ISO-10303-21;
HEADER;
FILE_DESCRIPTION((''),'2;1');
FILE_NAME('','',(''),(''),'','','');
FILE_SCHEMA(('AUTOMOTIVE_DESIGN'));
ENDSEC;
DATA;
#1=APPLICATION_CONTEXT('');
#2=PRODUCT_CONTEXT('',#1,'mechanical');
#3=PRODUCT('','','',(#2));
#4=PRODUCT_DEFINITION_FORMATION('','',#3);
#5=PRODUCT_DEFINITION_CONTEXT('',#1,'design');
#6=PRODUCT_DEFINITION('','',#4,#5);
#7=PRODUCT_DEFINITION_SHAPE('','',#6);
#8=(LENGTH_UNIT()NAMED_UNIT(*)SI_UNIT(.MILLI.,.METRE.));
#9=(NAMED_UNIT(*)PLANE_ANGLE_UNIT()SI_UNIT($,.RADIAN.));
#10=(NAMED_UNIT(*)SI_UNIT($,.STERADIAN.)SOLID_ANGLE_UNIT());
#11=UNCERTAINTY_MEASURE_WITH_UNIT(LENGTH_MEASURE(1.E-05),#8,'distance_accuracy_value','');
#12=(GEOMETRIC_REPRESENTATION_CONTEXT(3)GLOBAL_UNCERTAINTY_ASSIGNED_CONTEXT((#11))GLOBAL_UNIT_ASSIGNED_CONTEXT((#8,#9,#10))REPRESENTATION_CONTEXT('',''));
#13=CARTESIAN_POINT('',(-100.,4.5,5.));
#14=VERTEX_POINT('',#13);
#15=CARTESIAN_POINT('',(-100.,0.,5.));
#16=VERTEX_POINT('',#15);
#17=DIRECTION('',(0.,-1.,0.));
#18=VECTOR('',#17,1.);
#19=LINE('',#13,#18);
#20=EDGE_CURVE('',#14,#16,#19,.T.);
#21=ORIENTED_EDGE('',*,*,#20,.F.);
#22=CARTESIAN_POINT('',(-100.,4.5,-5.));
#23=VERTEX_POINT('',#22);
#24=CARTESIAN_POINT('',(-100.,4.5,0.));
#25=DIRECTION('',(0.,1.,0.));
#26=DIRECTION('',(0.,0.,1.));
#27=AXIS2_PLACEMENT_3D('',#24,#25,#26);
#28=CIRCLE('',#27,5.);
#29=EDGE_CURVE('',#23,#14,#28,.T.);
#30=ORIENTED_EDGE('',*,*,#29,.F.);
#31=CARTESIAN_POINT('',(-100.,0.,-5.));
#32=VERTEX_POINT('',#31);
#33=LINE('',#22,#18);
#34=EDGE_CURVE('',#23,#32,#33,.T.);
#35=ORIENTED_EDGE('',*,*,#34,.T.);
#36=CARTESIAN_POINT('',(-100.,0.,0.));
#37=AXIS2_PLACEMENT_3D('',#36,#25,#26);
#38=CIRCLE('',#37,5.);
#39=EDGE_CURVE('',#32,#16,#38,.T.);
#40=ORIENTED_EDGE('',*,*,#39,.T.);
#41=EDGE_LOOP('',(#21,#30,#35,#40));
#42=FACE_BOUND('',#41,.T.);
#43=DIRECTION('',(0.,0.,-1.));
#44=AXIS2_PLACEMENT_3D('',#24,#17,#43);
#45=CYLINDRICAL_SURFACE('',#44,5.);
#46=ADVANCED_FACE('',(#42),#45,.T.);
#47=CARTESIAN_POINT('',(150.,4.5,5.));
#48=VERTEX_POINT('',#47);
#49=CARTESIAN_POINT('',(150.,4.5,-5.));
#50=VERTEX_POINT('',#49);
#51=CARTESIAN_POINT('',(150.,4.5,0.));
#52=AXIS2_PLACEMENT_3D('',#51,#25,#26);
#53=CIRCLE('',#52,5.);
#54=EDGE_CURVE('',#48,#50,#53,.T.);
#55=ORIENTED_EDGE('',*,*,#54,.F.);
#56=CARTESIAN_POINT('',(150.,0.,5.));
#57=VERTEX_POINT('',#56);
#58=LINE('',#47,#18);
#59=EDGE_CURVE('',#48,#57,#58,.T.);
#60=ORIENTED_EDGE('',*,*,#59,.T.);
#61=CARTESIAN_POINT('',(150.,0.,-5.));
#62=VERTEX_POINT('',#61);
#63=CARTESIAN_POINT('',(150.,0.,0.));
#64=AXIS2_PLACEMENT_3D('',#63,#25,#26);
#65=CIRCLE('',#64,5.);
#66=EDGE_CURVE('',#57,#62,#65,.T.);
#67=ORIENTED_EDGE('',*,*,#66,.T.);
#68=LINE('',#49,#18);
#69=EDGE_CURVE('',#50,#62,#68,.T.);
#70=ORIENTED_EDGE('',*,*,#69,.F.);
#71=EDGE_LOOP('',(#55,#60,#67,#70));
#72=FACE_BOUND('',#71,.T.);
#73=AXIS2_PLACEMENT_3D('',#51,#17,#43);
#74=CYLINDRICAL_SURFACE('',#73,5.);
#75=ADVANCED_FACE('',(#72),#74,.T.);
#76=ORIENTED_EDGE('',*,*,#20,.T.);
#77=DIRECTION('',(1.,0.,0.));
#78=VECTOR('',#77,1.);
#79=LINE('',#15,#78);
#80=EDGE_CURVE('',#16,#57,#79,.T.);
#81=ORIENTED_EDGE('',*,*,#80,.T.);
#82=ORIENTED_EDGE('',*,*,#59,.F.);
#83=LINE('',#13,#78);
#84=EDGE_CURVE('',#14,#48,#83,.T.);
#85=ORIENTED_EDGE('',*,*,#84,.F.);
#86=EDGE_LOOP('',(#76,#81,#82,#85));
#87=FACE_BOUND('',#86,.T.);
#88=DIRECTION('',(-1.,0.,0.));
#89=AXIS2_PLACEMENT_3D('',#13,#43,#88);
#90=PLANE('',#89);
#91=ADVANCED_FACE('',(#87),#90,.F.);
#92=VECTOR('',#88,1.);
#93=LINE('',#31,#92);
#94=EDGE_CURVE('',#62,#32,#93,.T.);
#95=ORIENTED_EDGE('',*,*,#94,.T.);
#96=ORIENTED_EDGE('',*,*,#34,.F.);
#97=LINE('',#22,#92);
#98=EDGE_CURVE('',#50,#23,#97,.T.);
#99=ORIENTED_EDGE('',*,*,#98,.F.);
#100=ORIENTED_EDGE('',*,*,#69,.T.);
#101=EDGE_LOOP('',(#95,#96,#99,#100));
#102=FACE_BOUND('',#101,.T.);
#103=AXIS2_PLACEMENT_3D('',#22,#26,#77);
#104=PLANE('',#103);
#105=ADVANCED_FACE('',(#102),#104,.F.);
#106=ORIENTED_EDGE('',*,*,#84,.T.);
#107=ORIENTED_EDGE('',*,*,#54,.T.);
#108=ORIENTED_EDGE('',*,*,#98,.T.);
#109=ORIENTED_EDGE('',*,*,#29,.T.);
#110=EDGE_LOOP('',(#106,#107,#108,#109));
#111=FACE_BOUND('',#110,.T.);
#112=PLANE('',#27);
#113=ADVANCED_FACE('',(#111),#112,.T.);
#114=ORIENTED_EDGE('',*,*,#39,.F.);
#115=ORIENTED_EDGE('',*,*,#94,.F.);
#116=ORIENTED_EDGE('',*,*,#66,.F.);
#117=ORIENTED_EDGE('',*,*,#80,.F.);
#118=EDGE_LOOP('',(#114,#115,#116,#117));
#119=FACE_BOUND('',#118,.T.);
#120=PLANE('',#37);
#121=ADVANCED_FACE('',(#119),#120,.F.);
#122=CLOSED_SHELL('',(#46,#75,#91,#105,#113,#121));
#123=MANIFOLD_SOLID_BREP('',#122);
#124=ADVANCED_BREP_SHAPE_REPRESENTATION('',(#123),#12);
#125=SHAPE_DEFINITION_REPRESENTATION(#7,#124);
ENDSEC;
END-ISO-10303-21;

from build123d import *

# Parameters (mm, degrees)
BOSS_EXTRUDE1_DEPTH = 4.5


with BuildPart() as part:
    # Sketch1 → Boss-Extrude1 (new body)
    with BuildSketch(Plane(origin=(0, 0, 0), x_dir=(1, 0, 0), z_dir=(0, 1, 0))):
        with BuildLine():
            Line((-100, 5), (150, 5))
            ThreePointArc((150, 5), (155, 0), (150, -5))
            Line((150, -5), (-100, -5))
            ThreePointArc((-100, -5), (-105, 0), (-100, 5))
        make_face()
    extrude(amount=BOSS_EXTRUDE1_DEPTH)


solid = part.part
